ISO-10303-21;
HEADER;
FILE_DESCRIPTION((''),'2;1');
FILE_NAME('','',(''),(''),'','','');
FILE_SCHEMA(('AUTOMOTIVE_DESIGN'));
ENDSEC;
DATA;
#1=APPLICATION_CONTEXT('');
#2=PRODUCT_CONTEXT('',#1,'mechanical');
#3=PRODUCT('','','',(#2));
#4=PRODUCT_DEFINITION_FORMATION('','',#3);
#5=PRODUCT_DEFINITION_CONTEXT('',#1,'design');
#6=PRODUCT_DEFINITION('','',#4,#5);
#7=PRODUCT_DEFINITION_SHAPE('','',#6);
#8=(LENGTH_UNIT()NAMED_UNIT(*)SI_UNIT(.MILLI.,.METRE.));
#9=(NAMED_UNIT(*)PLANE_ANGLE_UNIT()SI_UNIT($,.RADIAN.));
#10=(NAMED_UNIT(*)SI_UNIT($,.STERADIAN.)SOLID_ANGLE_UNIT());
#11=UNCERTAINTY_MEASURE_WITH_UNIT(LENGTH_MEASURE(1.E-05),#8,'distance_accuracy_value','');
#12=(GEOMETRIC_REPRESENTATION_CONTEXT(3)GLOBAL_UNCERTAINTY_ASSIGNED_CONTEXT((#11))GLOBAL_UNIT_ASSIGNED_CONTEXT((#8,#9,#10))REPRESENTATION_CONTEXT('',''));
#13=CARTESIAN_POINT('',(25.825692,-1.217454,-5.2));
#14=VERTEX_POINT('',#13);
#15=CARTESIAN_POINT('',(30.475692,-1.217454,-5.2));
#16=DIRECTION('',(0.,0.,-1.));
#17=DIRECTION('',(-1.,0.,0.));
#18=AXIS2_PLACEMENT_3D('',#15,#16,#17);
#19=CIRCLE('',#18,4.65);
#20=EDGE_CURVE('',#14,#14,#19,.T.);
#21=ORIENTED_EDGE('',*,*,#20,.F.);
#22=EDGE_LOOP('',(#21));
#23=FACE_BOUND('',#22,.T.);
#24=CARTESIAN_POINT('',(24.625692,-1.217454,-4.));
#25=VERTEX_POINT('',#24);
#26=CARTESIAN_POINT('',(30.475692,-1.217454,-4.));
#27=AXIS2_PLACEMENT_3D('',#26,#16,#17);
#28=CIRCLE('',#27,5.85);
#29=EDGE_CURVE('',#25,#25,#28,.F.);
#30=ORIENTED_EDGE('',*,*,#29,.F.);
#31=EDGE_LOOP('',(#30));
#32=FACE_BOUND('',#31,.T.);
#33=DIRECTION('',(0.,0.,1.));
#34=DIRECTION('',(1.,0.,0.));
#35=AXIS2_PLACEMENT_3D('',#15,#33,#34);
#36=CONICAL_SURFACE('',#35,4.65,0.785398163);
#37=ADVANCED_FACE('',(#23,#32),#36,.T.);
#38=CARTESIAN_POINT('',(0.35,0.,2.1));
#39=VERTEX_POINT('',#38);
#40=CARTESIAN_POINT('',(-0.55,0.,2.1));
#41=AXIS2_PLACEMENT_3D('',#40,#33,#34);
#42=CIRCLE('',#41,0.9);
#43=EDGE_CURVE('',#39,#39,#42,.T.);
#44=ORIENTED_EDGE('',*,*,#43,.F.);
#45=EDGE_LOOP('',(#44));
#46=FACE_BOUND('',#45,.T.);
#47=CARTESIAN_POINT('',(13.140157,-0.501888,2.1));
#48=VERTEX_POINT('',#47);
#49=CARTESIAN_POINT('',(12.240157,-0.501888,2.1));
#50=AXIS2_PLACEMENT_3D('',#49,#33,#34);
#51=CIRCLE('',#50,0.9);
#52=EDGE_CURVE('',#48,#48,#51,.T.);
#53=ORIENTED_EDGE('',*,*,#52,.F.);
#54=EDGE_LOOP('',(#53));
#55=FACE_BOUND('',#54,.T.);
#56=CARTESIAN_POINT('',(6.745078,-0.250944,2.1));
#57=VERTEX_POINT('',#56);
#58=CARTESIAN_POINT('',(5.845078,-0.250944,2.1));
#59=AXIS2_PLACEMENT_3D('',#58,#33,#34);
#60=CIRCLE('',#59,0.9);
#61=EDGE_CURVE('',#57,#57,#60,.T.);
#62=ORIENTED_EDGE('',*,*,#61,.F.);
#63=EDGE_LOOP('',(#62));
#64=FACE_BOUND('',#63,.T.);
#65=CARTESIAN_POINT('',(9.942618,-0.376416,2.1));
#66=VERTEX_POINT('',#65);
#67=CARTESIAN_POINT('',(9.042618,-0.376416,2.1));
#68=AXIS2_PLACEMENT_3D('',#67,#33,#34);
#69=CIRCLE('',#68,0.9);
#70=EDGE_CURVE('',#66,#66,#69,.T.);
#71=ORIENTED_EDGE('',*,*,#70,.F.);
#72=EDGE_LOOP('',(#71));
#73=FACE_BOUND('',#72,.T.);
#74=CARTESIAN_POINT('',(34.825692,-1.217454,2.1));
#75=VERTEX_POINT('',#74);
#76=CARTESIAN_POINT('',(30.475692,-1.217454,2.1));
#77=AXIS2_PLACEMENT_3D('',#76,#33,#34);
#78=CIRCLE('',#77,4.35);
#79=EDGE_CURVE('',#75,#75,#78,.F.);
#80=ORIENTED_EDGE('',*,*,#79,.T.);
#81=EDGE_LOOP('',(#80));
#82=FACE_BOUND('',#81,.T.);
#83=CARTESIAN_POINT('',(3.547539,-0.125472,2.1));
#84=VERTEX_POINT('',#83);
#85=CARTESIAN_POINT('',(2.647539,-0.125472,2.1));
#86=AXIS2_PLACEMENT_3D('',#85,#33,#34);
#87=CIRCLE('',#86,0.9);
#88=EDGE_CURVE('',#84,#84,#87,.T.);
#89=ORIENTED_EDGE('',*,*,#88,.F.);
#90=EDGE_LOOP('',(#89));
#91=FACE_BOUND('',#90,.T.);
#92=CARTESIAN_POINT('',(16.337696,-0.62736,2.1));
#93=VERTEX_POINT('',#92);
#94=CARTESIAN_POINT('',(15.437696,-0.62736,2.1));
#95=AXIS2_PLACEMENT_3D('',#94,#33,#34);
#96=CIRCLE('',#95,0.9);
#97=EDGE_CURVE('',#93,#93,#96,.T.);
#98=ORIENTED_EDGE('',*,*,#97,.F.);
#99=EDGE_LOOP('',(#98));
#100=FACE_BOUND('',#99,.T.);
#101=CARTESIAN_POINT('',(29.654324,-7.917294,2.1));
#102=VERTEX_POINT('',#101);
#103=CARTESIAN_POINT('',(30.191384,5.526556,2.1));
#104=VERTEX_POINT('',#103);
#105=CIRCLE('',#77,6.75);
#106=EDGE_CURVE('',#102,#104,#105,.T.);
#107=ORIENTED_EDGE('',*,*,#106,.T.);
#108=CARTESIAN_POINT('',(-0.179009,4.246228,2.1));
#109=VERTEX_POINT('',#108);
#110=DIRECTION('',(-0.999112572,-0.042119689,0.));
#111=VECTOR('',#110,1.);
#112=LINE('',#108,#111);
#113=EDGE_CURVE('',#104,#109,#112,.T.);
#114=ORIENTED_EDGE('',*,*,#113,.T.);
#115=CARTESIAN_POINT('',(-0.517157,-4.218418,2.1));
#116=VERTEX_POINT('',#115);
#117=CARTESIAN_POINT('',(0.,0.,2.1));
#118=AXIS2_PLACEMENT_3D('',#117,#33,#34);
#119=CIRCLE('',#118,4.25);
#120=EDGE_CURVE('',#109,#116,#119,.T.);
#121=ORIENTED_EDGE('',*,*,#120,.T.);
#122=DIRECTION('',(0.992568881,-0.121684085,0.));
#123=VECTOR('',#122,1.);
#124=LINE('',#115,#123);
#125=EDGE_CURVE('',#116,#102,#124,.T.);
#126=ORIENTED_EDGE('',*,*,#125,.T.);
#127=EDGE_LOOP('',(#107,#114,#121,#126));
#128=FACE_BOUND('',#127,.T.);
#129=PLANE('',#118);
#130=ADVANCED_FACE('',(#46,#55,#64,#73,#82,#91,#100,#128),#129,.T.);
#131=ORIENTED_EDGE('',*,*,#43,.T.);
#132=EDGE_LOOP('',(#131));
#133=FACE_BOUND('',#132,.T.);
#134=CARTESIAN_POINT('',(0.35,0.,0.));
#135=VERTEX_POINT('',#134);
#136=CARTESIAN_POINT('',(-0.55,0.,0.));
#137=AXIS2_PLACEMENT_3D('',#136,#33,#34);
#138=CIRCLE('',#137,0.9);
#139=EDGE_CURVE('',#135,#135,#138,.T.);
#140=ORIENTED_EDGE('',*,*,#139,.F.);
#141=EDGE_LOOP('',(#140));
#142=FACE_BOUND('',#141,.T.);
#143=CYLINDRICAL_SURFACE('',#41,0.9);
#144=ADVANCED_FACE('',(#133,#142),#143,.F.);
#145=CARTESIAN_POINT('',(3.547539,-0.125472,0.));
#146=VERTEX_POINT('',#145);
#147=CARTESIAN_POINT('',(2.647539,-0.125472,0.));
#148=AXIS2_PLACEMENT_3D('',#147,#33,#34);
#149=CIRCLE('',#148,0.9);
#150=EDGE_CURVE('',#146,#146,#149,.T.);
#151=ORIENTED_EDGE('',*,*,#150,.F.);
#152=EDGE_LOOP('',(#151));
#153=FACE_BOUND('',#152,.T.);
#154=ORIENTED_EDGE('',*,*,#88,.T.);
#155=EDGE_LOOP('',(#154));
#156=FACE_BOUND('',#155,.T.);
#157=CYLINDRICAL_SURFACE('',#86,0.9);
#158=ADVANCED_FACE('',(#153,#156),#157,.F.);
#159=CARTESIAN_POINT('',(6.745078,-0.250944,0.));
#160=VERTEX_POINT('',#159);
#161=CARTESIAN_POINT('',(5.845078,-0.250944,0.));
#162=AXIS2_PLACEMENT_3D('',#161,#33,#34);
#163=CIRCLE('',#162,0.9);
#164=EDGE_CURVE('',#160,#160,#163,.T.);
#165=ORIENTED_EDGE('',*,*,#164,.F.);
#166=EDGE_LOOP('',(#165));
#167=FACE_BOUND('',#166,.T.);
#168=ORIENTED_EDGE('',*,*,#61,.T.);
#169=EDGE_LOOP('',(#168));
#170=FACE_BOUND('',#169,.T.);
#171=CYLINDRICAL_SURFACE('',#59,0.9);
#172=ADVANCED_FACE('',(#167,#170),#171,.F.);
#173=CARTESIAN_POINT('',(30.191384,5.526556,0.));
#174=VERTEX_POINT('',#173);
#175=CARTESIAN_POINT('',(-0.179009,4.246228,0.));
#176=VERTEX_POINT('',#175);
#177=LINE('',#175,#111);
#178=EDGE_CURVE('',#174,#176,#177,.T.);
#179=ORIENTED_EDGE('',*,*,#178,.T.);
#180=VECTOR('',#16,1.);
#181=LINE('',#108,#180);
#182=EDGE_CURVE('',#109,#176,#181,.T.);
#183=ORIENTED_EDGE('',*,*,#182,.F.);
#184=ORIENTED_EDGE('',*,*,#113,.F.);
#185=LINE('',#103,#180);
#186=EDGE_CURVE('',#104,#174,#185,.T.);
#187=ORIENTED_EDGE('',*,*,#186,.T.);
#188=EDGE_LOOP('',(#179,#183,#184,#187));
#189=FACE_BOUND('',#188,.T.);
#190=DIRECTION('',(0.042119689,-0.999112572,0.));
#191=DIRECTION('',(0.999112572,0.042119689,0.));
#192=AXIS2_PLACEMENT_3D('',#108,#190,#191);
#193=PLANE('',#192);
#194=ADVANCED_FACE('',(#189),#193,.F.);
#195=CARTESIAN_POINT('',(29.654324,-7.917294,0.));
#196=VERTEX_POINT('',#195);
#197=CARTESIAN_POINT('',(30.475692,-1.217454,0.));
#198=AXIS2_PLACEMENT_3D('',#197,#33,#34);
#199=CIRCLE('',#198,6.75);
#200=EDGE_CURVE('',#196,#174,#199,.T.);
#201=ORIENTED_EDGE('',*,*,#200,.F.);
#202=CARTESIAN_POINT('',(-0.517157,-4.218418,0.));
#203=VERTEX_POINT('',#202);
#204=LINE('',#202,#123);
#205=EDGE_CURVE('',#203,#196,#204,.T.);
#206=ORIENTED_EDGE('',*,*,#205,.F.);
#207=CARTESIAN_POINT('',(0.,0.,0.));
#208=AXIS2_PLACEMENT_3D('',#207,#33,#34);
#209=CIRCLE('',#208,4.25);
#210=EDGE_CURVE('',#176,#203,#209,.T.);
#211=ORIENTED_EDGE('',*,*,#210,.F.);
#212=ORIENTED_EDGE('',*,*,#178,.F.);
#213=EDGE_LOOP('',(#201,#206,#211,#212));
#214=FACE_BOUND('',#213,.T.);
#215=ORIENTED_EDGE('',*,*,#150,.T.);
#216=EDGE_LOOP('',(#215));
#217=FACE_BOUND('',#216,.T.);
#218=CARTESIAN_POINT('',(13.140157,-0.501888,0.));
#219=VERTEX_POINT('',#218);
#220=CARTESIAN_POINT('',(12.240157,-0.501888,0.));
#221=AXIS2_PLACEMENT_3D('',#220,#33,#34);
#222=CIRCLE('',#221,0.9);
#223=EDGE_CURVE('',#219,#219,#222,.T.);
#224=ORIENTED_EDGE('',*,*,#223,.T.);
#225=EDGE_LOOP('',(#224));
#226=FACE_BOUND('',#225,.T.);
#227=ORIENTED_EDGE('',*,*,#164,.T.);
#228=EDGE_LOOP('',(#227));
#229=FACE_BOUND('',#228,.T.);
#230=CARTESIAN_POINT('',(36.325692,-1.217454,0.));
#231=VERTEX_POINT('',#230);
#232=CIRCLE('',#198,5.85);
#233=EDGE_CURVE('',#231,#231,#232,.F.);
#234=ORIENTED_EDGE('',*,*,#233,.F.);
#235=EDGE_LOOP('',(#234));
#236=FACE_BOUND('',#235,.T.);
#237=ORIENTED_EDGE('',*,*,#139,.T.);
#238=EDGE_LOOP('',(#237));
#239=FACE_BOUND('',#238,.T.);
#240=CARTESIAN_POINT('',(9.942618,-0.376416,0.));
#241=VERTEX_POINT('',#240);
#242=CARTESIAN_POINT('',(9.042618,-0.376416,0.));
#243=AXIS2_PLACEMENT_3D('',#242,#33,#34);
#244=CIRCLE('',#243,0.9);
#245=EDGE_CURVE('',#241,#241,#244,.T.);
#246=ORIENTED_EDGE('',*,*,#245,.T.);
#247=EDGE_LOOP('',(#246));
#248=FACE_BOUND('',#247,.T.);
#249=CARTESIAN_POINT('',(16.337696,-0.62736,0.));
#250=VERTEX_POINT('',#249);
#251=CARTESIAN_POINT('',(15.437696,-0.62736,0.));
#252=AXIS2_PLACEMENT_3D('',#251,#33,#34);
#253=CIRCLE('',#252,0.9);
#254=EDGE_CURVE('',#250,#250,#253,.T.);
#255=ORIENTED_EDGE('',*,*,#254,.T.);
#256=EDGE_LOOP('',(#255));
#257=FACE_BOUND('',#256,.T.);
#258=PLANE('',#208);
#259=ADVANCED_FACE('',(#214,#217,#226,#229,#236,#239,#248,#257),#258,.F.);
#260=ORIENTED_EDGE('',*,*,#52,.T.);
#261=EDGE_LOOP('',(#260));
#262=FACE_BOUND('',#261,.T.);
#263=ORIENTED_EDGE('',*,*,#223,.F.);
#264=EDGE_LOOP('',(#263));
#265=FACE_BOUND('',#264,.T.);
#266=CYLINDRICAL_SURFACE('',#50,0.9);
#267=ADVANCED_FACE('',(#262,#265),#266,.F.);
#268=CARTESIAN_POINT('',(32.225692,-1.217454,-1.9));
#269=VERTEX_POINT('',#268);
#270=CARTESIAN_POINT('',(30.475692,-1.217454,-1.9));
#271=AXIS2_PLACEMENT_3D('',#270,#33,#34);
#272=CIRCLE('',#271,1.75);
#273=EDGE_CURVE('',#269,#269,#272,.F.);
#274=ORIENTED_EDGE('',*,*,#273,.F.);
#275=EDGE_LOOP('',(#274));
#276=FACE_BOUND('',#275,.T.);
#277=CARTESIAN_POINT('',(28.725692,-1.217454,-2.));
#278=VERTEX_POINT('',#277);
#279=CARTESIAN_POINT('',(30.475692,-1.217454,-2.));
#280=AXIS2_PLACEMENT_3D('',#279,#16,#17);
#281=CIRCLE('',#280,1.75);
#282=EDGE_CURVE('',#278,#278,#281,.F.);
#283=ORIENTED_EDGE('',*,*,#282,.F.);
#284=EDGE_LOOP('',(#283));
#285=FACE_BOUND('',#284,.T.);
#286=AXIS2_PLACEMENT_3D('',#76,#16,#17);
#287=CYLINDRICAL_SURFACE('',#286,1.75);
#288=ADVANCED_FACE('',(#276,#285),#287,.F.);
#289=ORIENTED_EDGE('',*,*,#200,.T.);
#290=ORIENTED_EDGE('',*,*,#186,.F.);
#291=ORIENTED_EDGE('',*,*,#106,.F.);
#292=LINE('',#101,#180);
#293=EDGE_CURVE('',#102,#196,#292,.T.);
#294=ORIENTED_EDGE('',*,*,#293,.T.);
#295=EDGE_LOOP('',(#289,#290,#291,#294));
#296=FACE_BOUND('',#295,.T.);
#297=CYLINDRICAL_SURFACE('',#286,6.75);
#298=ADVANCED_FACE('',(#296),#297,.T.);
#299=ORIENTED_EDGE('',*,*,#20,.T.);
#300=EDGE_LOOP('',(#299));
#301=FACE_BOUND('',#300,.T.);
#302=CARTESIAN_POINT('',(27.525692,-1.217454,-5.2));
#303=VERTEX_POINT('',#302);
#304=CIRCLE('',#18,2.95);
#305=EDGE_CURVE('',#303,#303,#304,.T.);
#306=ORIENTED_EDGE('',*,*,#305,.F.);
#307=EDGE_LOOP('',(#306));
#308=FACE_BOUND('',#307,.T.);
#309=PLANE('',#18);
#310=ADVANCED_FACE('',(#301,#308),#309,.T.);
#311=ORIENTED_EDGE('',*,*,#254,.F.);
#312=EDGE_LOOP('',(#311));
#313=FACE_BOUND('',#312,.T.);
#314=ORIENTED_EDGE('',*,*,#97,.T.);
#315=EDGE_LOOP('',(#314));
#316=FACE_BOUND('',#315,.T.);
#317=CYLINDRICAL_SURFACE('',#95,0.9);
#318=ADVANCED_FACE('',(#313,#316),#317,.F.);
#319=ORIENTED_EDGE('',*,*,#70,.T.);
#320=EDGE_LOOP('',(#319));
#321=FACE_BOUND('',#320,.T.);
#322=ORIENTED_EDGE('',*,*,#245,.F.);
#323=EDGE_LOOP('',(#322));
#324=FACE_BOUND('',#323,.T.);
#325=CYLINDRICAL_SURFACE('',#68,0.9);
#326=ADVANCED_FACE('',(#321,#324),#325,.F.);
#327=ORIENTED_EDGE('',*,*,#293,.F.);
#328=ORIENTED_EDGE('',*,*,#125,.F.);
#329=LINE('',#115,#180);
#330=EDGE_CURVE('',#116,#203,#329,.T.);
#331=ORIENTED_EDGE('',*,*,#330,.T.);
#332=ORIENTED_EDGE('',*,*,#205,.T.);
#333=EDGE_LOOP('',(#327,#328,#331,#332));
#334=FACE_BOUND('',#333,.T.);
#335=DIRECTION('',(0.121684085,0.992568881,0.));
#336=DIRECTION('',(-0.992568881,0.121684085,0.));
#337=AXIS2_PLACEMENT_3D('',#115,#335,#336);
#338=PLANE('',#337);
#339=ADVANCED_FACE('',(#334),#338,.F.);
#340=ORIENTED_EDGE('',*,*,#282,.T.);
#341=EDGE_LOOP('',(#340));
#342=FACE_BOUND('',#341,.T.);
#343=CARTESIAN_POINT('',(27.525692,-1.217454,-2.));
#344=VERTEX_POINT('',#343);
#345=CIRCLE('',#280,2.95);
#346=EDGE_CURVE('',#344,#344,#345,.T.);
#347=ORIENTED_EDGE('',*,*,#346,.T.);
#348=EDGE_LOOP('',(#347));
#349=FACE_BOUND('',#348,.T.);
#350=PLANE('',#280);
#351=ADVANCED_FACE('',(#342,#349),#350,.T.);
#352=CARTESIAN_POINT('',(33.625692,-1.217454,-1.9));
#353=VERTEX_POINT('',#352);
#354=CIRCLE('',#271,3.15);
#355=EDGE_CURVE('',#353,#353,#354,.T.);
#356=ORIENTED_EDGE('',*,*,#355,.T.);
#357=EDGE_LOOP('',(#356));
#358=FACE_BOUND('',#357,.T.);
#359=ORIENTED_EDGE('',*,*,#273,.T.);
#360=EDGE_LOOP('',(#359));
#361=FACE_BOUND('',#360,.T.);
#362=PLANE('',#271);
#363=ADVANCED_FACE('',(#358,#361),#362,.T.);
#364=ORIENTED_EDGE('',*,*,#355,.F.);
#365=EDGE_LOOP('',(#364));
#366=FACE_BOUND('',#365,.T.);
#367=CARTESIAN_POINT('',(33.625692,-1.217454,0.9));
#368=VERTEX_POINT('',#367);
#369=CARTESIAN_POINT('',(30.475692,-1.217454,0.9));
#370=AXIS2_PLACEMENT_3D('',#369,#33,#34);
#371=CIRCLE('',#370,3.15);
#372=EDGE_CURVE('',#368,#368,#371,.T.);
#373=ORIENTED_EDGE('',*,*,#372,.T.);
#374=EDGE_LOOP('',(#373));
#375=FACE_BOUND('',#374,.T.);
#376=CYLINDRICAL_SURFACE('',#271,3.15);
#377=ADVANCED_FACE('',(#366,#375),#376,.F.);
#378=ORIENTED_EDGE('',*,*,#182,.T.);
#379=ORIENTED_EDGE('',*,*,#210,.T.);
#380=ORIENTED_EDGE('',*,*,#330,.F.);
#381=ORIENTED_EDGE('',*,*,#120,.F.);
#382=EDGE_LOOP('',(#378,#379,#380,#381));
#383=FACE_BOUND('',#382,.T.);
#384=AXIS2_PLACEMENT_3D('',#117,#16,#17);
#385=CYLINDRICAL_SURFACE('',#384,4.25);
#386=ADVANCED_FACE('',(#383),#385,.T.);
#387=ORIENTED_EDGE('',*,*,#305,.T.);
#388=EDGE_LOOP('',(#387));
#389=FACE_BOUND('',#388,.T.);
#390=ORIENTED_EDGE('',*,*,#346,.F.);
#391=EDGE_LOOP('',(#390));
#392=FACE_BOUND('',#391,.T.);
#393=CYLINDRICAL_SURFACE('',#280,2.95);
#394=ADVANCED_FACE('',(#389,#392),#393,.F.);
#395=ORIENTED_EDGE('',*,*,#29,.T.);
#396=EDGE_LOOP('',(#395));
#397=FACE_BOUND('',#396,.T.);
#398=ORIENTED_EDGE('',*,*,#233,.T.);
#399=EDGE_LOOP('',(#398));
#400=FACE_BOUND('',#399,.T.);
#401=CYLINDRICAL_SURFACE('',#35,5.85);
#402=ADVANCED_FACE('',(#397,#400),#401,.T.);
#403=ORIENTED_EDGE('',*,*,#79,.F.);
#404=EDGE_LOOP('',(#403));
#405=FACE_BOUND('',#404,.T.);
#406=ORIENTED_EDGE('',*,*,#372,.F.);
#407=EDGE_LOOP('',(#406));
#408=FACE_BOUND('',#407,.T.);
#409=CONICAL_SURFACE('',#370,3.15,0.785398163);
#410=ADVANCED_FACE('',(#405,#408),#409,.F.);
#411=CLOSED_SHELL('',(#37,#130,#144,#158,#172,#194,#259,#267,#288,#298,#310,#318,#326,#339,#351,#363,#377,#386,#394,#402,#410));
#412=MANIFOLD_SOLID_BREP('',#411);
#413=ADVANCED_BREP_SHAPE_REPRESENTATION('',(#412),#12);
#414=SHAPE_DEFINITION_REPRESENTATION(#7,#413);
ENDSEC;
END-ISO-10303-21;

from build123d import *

# Parameters (mm, degrees)
EXTRUSION1_DEPTH           = 2.1
ESQUISSE2_R                = 5.85
EXTRUSION2_DEPTH           = 5.2
ESQUISSE3_R                = 1.75
EXTRUSION3_DEPTH           = 39.762384708
ESQUISSE4_R                = 3.15
EXTRUSION4_DEPTH           = 4
ESQUISSE5_R                = 2.95
EXTRUSION5_DEPTH           = 3.2
CHANFREIN2_SIZE            = 1.2
D_GAGEMENT_M21_D           = 1.8
R_P_TITION_LIN_AIRE1_COUNT = 6
R_P_TITION_LIN_AIRE1_PITCH = 3.2


with BuildPart() as part:
    # Esquisse1 → Extrusion1 (new body)
    with BuildSketch(Plane.XY):
        with BuildLine():
            Line((-0.179008677, 4.246228432), (30.191384159, 5.526556123))
            ThreePointArc((30.191384159, 5.526556123), (37.220312431, -1.486890222), (29.654324486, -7.917293686))
            Line((29.654324486, -7.917293686), (-0.51715736, -4.218417744))
            ThreePointArc((-0.51715736, -4.218417744), (-4.246612828, 0.169645193), (-0.179008677, 4.246228432))
        make_face()
    extrude(amount=EXTRUSION1_DEPTH)

    # Esquisse2 → Extrusion2 (add)
    with BuildSketch(Plane(origin=(0, 0, 0), x_dir=(-1, 0, 0), z_dir=(0, 0, -1))):
        with Locations((-30.475692058, -1.217453739)):
            Circle(ESQUISSE2_R)
    extrude(amount=EXTRUSION2_DEPTH)

    # Esquisse3 → Extrusion3 (cut, through all)
    with BuildSketch(Plane(origin=(0, 0, -5.2), x_dir=(-1, 0, 0), z_dir=(0, 0, -1))):
        with Locations((-30.475692058, -1.217453739)):
            Circle(ESQUISSE3_R)
    extrude(amount=-EXTRUSION3_DEPTH, mode=Mode.SUBTRACT)

    # Esquisse4 → Extrusion4 (cut)
    with BuildSketch(Plane.XY.offset(2.1)):
        with Locations((30.475692058, -1.217453739)):
            Circle(ESQUISSE4_R)
    extrude(amount=-EXTRUSION4_DEPTH, mode=Mode.SUBTRACT)

    # Esquisse5 → Extrusion5 (cut)
    with BuildSketch(Plane(origin=(0, 0, -5.2), x_dir=(-1, 0, 0), z_dir=(0, 0, -1))):
        with Locations((-30.475692058, -1.217453739)):
            Circle(ESQUISSE5_R)
    extrude(amount=-EXTRUSION5_DEPTH, mode=Mode.SUBTRACT)

    # Chanfrein2
    chanfrein2_edges = [part.edges().sort_by_distance(p)[0] for p in [
        (27.325692058, -1.217453739, 2.1),
        (36.325692058, -1.217453739, -5.2),
    ]]
    chamfer(chanfrein2_edges, length=CHANFREIN2_SIZE)

    # Dégagement M21 (through all)
    with Locations(Plane(origin=(-0.55, 0, 2.1), x_dir=(1, 0, 0), z_dir=(0, 0, 1))):
        with Locations((0, 0)):
            d_gagement_m21 = Hole(D_GAGEMENT_M21_D / 2)

    # Répétition linéaire1: Dégagement M21 ×6
    with Locations(*[Vector(0.9992309921094119, -0.0392100039280862, 0) * (i * R_P_TITION_LIN_AIRE1_PITCH) for i in range(1, R_P_TITION_LIN_AIRE1_COUNT)]):
        add(d_gagement_m21, mode=Mode.SUBTRACT)


solid = part.part
